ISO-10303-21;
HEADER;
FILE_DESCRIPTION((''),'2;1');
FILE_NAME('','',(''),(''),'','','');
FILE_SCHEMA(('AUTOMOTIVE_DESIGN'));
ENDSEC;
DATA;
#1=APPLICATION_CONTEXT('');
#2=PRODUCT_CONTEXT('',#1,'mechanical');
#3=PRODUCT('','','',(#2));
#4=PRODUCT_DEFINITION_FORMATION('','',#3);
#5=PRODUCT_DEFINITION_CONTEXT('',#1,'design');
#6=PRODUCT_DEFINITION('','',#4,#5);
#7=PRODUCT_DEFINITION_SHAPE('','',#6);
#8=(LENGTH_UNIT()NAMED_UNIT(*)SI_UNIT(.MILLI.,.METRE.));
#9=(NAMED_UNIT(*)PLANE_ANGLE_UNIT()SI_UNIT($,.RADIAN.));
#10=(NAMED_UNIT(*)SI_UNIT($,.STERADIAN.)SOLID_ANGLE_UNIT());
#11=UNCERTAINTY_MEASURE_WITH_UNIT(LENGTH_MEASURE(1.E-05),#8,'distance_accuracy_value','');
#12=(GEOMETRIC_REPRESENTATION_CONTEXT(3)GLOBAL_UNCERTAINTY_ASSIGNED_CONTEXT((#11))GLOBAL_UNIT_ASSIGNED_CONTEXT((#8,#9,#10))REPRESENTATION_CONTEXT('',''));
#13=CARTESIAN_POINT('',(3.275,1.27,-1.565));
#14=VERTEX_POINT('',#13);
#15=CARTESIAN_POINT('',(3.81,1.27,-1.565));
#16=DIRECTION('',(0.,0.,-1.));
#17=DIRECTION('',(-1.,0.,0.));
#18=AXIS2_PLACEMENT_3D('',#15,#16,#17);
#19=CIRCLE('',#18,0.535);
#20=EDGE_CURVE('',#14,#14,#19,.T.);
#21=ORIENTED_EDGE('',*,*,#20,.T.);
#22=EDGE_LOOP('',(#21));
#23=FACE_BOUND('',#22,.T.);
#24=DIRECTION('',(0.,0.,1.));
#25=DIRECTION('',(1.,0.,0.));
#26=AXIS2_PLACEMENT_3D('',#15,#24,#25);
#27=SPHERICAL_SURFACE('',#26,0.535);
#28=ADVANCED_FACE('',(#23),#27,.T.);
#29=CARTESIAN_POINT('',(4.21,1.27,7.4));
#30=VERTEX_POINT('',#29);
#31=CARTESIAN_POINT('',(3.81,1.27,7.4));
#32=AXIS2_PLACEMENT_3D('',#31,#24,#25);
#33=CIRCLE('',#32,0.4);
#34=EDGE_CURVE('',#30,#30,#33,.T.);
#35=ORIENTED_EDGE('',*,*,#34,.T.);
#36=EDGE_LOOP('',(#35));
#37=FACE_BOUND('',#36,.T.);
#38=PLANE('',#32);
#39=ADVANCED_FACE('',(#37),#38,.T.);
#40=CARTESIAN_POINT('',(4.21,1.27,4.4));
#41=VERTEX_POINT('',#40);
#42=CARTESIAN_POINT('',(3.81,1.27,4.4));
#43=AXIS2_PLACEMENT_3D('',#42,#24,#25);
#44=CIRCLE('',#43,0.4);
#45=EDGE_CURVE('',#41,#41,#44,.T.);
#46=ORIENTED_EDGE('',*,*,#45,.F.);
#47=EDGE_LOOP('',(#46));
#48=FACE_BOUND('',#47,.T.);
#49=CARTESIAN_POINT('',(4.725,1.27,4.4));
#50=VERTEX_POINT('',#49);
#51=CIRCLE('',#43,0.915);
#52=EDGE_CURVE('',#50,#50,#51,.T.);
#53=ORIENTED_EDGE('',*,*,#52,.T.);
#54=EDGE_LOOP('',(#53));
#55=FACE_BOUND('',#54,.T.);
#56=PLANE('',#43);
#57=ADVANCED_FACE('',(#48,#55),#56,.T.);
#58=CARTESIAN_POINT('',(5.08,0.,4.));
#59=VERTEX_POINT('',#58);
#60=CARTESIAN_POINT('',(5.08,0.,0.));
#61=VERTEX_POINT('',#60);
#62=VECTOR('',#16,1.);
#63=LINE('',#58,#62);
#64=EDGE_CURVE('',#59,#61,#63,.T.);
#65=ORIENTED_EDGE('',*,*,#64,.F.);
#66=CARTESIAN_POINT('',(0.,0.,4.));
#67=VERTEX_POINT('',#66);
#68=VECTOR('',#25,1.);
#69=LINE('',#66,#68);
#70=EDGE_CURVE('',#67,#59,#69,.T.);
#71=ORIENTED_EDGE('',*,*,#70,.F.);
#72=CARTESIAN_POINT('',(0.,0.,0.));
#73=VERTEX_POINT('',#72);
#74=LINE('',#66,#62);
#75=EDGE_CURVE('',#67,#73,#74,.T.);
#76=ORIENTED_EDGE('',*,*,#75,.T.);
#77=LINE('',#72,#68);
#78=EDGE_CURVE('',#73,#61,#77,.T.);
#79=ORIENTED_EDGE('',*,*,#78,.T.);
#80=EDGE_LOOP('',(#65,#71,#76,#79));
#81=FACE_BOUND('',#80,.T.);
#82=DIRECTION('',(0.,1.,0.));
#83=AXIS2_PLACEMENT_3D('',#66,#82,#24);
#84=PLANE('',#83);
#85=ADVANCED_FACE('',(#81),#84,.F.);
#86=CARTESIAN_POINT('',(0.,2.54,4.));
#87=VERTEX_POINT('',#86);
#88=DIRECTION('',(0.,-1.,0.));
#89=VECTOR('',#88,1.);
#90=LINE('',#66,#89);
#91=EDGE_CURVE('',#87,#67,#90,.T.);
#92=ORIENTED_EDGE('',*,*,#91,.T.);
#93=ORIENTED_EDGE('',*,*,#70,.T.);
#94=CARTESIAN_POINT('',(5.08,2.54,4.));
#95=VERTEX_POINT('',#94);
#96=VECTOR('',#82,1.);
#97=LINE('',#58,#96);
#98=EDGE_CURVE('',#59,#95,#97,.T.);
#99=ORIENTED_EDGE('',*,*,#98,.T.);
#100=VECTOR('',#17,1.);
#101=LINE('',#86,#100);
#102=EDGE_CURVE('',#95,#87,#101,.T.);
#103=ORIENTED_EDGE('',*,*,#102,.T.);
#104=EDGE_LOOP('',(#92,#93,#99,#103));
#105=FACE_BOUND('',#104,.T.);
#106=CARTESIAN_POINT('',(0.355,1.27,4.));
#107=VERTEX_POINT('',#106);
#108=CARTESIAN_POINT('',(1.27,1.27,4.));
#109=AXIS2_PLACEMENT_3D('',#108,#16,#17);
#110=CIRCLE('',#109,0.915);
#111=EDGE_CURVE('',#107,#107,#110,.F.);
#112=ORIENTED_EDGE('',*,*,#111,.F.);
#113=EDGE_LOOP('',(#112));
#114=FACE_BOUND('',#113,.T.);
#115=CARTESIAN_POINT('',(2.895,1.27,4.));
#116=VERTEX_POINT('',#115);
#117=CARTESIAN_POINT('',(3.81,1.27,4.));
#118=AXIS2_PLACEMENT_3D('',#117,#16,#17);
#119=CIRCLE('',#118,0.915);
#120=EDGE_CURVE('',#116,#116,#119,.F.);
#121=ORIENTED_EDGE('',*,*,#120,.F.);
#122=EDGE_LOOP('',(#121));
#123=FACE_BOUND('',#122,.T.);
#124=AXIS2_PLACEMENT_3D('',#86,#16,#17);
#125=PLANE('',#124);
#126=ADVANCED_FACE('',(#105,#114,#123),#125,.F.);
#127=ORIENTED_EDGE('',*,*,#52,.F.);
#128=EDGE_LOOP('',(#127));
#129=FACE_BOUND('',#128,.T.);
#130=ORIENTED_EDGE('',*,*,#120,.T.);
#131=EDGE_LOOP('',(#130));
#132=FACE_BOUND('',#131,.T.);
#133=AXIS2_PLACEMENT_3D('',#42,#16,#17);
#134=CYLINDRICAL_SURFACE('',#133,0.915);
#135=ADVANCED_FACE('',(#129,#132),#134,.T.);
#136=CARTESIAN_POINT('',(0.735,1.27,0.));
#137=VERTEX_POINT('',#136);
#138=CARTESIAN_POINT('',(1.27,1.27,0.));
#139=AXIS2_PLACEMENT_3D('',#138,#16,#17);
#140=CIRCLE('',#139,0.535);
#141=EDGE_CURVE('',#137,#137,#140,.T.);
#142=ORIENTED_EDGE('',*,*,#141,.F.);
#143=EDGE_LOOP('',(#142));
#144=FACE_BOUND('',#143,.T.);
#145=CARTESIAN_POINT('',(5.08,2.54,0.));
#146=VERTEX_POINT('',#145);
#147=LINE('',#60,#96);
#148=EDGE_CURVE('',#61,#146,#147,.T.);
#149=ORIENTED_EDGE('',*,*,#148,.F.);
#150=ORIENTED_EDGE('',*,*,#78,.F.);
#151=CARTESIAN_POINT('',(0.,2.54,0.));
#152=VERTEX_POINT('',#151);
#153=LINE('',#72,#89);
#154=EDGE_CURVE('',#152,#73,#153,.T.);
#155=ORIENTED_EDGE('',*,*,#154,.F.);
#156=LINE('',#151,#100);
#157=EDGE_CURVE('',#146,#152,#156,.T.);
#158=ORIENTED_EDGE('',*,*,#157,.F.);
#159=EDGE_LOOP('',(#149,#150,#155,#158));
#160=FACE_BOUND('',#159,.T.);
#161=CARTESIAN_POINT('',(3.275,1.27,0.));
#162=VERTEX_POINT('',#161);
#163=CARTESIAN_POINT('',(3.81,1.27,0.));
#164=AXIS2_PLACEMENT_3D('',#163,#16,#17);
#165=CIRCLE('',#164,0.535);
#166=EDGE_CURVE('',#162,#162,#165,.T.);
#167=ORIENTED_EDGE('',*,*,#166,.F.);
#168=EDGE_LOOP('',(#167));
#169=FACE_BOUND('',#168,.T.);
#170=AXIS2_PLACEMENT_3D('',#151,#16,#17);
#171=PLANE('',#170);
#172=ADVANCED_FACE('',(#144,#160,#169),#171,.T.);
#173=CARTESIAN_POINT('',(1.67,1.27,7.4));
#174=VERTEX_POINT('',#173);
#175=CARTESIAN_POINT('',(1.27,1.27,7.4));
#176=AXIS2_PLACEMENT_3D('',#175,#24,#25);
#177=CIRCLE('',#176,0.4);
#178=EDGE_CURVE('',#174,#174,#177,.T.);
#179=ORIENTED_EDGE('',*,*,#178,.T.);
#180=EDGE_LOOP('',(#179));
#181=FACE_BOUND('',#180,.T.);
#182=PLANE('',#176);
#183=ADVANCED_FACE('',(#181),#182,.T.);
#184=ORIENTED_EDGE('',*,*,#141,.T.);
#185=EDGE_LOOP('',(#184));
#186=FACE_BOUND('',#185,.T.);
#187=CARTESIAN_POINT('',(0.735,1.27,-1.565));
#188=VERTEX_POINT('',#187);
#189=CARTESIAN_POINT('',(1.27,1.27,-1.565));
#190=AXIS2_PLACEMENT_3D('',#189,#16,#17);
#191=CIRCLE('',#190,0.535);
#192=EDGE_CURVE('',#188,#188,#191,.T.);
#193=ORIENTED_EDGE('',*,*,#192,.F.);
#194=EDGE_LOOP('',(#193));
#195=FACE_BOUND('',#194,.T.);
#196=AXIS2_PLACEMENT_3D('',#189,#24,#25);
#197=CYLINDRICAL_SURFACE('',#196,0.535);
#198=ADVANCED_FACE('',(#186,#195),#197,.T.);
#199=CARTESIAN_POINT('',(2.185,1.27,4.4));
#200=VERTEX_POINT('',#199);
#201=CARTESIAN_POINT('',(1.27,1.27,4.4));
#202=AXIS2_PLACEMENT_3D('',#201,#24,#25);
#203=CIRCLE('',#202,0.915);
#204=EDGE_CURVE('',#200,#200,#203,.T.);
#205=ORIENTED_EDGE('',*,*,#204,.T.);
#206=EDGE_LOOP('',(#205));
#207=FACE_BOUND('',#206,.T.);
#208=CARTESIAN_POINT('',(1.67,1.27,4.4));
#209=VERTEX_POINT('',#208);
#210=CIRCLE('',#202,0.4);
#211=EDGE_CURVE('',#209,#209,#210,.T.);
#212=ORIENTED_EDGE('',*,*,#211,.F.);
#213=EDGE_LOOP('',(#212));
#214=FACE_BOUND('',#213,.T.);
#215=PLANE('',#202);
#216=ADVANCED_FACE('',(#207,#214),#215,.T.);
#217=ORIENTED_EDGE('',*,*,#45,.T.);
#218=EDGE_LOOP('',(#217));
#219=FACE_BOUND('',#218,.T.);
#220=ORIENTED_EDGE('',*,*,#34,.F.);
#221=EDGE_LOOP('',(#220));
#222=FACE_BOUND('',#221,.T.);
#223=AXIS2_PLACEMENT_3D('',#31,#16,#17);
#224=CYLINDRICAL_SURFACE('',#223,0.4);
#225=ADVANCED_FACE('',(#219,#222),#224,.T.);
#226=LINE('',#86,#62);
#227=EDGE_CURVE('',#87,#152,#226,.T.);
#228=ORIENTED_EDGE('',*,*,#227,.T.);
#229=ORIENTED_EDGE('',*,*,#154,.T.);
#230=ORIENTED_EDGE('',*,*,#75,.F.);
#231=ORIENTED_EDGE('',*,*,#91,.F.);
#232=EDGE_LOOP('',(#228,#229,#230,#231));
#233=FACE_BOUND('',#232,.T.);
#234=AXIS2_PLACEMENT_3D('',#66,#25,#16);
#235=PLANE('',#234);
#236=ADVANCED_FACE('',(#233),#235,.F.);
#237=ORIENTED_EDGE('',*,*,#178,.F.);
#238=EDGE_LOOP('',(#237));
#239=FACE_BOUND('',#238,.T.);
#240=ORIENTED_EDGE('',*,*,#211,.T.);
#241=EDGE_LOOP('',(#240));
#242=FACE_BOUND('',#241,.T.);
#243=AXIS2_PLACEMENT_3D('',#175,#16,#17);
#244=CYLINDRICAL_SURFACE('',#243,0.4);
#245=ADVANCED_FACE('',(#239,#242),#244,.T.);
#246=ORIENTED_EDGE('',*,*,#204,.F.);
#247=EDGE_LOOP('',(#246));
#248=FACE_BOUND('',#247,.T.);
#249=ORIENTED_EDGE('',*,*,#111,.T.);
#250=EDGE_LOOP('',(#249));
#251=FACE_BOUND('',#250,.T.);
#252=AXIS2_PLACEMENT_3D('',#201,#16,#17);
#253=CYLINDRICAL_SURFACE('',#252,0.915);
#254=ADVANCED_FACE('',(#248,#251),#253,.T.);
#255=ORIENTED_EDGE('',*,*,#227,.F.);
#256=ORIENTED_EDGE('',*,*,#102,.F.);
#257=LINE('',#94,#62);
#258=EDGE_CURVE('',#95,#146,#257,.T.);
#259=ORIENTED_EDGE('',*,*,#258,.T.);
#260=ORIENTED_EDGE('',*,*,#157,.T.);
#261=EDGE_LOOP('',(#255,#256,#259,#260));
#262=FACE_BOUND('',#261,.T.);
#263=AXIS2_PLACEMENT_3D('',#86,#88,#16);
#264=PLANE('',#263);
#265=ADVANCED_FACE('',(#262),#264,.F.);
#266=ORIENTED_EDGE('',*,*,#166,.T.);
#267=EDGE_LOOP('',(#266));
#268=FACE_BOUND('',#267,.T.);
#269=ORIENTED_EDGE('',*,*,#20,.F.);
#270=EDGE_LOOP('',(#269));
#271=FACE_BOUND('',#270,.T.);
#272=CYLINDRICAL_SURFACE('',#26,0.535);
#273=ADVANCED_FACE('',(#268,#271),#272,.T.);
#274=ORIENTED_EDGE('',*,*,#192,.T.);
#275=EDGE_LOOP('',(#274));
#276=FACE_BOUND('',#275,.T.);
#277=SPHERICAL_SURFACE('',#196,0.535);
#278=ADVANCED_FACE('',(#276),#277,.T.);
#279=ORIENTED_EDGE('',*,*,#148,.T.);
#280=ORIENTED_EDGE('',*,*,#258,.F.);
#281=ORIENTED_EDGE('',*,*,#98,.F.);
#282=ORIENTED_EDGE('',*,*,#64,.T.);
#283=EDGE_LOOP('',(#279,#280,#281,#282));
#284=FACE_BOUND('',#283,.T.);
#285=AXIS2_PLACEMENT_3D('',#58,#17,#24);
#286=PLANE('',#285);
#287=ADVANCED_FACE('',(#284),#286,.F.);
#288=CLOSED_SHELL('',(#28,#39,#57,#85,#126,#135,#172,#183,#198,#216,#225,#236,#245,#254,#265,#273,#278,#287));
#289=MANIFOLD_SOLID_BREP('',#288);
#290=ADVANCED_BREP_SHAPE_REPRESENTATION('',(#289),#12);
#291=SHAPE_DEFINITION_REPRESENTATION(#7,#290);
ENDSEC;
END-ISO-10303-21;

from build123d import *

# Parameters (mm, degrees)
ESQUISSE1_W       = 5.08
ESQUISSE1_H       = 2.54
EXTRUSION1_DEPTH  = 4
ESQUISSE2_R       = 0.915
EXTRUSION2_DEPTH  = 0.4
ESQUISSE3_R       = 0.535
EXTRUSION3_DEPTH  = 1.565
D_ME1_FACE_RADIUS = 0.535
D_ME1_HEIGHT      = 0.535
D_ME2_FACE_RADIUS = 0.535
D_ME2_HEIGHT      = 0.535
ESQUISSE4_R       = 0.4
EXTRUSION4_DEPTH  = 3


with BuildPart() as part:
    # Esquisse1 → Extrusion1 (new body)
    with BuildSketch(Plane.XY):
        with Locations((2.54, 1.27)):
            Rectangle(ESQUISSE1_W, ESQUISSE1_H)
    extrude(amount=EXTRUSION1_DEPTH)

    # Esquisse2 → Extrusion2 (add)
    with BuildSketch(Plane.XY.offset(4)):
        with Locations(Location((3.81, 1.27, 0), (0, 0, 180))):
            Circle(ESQUISSE2_R)
        with Locations(Location((1.27, 1.27, 0), (0, 0, 180))):
            Circle(ESQUISSE2_R)
    extrude(amount=EXTRUSION2_DEPTH)

    # Esquisse3 → Extrusion3 (add)
    with BuildSketch(Plane(origin=(0, 0, 0), x_dir=(-1, 0, 0), z_dir=(0, 0, -1))):
        with Locations((-3.81, 1.27)):
            Circle(ESQUISSE3_R)
        with Locations((-1.27, 1.27)):
            Circle(ESQUISSE3_R)
    extrude(amount=EXTRUSION3_DEPTH)

    # Dôme1: a dome of height H over a round flat face of radius A is a cap of a sphere of radius (A * A + H * H) / (2 * H)
    d_me1_r = (D_ME1_FACE_RADIUS * D_ME1_FACE_RADIUS + D_ME1_HEIGHT * D_ME1_HEIGHT) / (2 * D_ME1_HEIGHT)
    d_me1_base = Plane((3.81, 1.27, -1.565), z_dir=(0, 0, -1))
    with Locations(d_me1_base.offset(D_ME1_HEIGHT - d_me1_r)):
        d_me1_ball = Sphere(d_me1_r, mode=Mode.PRIVATE)
    add(split(d_me1_ball, bisect_by=d_me1_base, keep=Keep.TOP, mode=Mode.PRIVATE))

    # Dôme2: a dome of height H over a round flat face of radius A is a cap of a sphere of radius (A * A + H * H) / (2 * H)
    d_me2_r = (D_ME2_FACE_RADIUS * D_ME2_FACE_RADIUS + D_ME2_HEIGHT * D_ME2_HEIGHT) / (2 * D_ME2_HEIGHT)
    d_me2_base = Plane((1.27, 1.27, -1.565), z_dir=(0, 0, -1))
    with Locations(d_me2_base.offset(D_ME2_HEIGHT - d_me2_r)):
        d_me2_ball = Sphere(d_me2_r, mode=Mode.PRIVATE)
    add(split(d_me2_ball, bisect_by=d_me2_base, keep=Keep.TOP, mode=Mode.PRIVATE))

    # Esquisse4 → Extrusion4 (add)
    with BuildSketch(Plane.XY.offset(4.4)):
        with Locations((3.81, 1.27)):
            Circle(ESQUISSE4_R)
        with Locations((1.27, 1.27)):
            Circle(ESQUISSE4_R)
    extrude(amount=EXTRUSION4_DEPTH)


solid = part.part
